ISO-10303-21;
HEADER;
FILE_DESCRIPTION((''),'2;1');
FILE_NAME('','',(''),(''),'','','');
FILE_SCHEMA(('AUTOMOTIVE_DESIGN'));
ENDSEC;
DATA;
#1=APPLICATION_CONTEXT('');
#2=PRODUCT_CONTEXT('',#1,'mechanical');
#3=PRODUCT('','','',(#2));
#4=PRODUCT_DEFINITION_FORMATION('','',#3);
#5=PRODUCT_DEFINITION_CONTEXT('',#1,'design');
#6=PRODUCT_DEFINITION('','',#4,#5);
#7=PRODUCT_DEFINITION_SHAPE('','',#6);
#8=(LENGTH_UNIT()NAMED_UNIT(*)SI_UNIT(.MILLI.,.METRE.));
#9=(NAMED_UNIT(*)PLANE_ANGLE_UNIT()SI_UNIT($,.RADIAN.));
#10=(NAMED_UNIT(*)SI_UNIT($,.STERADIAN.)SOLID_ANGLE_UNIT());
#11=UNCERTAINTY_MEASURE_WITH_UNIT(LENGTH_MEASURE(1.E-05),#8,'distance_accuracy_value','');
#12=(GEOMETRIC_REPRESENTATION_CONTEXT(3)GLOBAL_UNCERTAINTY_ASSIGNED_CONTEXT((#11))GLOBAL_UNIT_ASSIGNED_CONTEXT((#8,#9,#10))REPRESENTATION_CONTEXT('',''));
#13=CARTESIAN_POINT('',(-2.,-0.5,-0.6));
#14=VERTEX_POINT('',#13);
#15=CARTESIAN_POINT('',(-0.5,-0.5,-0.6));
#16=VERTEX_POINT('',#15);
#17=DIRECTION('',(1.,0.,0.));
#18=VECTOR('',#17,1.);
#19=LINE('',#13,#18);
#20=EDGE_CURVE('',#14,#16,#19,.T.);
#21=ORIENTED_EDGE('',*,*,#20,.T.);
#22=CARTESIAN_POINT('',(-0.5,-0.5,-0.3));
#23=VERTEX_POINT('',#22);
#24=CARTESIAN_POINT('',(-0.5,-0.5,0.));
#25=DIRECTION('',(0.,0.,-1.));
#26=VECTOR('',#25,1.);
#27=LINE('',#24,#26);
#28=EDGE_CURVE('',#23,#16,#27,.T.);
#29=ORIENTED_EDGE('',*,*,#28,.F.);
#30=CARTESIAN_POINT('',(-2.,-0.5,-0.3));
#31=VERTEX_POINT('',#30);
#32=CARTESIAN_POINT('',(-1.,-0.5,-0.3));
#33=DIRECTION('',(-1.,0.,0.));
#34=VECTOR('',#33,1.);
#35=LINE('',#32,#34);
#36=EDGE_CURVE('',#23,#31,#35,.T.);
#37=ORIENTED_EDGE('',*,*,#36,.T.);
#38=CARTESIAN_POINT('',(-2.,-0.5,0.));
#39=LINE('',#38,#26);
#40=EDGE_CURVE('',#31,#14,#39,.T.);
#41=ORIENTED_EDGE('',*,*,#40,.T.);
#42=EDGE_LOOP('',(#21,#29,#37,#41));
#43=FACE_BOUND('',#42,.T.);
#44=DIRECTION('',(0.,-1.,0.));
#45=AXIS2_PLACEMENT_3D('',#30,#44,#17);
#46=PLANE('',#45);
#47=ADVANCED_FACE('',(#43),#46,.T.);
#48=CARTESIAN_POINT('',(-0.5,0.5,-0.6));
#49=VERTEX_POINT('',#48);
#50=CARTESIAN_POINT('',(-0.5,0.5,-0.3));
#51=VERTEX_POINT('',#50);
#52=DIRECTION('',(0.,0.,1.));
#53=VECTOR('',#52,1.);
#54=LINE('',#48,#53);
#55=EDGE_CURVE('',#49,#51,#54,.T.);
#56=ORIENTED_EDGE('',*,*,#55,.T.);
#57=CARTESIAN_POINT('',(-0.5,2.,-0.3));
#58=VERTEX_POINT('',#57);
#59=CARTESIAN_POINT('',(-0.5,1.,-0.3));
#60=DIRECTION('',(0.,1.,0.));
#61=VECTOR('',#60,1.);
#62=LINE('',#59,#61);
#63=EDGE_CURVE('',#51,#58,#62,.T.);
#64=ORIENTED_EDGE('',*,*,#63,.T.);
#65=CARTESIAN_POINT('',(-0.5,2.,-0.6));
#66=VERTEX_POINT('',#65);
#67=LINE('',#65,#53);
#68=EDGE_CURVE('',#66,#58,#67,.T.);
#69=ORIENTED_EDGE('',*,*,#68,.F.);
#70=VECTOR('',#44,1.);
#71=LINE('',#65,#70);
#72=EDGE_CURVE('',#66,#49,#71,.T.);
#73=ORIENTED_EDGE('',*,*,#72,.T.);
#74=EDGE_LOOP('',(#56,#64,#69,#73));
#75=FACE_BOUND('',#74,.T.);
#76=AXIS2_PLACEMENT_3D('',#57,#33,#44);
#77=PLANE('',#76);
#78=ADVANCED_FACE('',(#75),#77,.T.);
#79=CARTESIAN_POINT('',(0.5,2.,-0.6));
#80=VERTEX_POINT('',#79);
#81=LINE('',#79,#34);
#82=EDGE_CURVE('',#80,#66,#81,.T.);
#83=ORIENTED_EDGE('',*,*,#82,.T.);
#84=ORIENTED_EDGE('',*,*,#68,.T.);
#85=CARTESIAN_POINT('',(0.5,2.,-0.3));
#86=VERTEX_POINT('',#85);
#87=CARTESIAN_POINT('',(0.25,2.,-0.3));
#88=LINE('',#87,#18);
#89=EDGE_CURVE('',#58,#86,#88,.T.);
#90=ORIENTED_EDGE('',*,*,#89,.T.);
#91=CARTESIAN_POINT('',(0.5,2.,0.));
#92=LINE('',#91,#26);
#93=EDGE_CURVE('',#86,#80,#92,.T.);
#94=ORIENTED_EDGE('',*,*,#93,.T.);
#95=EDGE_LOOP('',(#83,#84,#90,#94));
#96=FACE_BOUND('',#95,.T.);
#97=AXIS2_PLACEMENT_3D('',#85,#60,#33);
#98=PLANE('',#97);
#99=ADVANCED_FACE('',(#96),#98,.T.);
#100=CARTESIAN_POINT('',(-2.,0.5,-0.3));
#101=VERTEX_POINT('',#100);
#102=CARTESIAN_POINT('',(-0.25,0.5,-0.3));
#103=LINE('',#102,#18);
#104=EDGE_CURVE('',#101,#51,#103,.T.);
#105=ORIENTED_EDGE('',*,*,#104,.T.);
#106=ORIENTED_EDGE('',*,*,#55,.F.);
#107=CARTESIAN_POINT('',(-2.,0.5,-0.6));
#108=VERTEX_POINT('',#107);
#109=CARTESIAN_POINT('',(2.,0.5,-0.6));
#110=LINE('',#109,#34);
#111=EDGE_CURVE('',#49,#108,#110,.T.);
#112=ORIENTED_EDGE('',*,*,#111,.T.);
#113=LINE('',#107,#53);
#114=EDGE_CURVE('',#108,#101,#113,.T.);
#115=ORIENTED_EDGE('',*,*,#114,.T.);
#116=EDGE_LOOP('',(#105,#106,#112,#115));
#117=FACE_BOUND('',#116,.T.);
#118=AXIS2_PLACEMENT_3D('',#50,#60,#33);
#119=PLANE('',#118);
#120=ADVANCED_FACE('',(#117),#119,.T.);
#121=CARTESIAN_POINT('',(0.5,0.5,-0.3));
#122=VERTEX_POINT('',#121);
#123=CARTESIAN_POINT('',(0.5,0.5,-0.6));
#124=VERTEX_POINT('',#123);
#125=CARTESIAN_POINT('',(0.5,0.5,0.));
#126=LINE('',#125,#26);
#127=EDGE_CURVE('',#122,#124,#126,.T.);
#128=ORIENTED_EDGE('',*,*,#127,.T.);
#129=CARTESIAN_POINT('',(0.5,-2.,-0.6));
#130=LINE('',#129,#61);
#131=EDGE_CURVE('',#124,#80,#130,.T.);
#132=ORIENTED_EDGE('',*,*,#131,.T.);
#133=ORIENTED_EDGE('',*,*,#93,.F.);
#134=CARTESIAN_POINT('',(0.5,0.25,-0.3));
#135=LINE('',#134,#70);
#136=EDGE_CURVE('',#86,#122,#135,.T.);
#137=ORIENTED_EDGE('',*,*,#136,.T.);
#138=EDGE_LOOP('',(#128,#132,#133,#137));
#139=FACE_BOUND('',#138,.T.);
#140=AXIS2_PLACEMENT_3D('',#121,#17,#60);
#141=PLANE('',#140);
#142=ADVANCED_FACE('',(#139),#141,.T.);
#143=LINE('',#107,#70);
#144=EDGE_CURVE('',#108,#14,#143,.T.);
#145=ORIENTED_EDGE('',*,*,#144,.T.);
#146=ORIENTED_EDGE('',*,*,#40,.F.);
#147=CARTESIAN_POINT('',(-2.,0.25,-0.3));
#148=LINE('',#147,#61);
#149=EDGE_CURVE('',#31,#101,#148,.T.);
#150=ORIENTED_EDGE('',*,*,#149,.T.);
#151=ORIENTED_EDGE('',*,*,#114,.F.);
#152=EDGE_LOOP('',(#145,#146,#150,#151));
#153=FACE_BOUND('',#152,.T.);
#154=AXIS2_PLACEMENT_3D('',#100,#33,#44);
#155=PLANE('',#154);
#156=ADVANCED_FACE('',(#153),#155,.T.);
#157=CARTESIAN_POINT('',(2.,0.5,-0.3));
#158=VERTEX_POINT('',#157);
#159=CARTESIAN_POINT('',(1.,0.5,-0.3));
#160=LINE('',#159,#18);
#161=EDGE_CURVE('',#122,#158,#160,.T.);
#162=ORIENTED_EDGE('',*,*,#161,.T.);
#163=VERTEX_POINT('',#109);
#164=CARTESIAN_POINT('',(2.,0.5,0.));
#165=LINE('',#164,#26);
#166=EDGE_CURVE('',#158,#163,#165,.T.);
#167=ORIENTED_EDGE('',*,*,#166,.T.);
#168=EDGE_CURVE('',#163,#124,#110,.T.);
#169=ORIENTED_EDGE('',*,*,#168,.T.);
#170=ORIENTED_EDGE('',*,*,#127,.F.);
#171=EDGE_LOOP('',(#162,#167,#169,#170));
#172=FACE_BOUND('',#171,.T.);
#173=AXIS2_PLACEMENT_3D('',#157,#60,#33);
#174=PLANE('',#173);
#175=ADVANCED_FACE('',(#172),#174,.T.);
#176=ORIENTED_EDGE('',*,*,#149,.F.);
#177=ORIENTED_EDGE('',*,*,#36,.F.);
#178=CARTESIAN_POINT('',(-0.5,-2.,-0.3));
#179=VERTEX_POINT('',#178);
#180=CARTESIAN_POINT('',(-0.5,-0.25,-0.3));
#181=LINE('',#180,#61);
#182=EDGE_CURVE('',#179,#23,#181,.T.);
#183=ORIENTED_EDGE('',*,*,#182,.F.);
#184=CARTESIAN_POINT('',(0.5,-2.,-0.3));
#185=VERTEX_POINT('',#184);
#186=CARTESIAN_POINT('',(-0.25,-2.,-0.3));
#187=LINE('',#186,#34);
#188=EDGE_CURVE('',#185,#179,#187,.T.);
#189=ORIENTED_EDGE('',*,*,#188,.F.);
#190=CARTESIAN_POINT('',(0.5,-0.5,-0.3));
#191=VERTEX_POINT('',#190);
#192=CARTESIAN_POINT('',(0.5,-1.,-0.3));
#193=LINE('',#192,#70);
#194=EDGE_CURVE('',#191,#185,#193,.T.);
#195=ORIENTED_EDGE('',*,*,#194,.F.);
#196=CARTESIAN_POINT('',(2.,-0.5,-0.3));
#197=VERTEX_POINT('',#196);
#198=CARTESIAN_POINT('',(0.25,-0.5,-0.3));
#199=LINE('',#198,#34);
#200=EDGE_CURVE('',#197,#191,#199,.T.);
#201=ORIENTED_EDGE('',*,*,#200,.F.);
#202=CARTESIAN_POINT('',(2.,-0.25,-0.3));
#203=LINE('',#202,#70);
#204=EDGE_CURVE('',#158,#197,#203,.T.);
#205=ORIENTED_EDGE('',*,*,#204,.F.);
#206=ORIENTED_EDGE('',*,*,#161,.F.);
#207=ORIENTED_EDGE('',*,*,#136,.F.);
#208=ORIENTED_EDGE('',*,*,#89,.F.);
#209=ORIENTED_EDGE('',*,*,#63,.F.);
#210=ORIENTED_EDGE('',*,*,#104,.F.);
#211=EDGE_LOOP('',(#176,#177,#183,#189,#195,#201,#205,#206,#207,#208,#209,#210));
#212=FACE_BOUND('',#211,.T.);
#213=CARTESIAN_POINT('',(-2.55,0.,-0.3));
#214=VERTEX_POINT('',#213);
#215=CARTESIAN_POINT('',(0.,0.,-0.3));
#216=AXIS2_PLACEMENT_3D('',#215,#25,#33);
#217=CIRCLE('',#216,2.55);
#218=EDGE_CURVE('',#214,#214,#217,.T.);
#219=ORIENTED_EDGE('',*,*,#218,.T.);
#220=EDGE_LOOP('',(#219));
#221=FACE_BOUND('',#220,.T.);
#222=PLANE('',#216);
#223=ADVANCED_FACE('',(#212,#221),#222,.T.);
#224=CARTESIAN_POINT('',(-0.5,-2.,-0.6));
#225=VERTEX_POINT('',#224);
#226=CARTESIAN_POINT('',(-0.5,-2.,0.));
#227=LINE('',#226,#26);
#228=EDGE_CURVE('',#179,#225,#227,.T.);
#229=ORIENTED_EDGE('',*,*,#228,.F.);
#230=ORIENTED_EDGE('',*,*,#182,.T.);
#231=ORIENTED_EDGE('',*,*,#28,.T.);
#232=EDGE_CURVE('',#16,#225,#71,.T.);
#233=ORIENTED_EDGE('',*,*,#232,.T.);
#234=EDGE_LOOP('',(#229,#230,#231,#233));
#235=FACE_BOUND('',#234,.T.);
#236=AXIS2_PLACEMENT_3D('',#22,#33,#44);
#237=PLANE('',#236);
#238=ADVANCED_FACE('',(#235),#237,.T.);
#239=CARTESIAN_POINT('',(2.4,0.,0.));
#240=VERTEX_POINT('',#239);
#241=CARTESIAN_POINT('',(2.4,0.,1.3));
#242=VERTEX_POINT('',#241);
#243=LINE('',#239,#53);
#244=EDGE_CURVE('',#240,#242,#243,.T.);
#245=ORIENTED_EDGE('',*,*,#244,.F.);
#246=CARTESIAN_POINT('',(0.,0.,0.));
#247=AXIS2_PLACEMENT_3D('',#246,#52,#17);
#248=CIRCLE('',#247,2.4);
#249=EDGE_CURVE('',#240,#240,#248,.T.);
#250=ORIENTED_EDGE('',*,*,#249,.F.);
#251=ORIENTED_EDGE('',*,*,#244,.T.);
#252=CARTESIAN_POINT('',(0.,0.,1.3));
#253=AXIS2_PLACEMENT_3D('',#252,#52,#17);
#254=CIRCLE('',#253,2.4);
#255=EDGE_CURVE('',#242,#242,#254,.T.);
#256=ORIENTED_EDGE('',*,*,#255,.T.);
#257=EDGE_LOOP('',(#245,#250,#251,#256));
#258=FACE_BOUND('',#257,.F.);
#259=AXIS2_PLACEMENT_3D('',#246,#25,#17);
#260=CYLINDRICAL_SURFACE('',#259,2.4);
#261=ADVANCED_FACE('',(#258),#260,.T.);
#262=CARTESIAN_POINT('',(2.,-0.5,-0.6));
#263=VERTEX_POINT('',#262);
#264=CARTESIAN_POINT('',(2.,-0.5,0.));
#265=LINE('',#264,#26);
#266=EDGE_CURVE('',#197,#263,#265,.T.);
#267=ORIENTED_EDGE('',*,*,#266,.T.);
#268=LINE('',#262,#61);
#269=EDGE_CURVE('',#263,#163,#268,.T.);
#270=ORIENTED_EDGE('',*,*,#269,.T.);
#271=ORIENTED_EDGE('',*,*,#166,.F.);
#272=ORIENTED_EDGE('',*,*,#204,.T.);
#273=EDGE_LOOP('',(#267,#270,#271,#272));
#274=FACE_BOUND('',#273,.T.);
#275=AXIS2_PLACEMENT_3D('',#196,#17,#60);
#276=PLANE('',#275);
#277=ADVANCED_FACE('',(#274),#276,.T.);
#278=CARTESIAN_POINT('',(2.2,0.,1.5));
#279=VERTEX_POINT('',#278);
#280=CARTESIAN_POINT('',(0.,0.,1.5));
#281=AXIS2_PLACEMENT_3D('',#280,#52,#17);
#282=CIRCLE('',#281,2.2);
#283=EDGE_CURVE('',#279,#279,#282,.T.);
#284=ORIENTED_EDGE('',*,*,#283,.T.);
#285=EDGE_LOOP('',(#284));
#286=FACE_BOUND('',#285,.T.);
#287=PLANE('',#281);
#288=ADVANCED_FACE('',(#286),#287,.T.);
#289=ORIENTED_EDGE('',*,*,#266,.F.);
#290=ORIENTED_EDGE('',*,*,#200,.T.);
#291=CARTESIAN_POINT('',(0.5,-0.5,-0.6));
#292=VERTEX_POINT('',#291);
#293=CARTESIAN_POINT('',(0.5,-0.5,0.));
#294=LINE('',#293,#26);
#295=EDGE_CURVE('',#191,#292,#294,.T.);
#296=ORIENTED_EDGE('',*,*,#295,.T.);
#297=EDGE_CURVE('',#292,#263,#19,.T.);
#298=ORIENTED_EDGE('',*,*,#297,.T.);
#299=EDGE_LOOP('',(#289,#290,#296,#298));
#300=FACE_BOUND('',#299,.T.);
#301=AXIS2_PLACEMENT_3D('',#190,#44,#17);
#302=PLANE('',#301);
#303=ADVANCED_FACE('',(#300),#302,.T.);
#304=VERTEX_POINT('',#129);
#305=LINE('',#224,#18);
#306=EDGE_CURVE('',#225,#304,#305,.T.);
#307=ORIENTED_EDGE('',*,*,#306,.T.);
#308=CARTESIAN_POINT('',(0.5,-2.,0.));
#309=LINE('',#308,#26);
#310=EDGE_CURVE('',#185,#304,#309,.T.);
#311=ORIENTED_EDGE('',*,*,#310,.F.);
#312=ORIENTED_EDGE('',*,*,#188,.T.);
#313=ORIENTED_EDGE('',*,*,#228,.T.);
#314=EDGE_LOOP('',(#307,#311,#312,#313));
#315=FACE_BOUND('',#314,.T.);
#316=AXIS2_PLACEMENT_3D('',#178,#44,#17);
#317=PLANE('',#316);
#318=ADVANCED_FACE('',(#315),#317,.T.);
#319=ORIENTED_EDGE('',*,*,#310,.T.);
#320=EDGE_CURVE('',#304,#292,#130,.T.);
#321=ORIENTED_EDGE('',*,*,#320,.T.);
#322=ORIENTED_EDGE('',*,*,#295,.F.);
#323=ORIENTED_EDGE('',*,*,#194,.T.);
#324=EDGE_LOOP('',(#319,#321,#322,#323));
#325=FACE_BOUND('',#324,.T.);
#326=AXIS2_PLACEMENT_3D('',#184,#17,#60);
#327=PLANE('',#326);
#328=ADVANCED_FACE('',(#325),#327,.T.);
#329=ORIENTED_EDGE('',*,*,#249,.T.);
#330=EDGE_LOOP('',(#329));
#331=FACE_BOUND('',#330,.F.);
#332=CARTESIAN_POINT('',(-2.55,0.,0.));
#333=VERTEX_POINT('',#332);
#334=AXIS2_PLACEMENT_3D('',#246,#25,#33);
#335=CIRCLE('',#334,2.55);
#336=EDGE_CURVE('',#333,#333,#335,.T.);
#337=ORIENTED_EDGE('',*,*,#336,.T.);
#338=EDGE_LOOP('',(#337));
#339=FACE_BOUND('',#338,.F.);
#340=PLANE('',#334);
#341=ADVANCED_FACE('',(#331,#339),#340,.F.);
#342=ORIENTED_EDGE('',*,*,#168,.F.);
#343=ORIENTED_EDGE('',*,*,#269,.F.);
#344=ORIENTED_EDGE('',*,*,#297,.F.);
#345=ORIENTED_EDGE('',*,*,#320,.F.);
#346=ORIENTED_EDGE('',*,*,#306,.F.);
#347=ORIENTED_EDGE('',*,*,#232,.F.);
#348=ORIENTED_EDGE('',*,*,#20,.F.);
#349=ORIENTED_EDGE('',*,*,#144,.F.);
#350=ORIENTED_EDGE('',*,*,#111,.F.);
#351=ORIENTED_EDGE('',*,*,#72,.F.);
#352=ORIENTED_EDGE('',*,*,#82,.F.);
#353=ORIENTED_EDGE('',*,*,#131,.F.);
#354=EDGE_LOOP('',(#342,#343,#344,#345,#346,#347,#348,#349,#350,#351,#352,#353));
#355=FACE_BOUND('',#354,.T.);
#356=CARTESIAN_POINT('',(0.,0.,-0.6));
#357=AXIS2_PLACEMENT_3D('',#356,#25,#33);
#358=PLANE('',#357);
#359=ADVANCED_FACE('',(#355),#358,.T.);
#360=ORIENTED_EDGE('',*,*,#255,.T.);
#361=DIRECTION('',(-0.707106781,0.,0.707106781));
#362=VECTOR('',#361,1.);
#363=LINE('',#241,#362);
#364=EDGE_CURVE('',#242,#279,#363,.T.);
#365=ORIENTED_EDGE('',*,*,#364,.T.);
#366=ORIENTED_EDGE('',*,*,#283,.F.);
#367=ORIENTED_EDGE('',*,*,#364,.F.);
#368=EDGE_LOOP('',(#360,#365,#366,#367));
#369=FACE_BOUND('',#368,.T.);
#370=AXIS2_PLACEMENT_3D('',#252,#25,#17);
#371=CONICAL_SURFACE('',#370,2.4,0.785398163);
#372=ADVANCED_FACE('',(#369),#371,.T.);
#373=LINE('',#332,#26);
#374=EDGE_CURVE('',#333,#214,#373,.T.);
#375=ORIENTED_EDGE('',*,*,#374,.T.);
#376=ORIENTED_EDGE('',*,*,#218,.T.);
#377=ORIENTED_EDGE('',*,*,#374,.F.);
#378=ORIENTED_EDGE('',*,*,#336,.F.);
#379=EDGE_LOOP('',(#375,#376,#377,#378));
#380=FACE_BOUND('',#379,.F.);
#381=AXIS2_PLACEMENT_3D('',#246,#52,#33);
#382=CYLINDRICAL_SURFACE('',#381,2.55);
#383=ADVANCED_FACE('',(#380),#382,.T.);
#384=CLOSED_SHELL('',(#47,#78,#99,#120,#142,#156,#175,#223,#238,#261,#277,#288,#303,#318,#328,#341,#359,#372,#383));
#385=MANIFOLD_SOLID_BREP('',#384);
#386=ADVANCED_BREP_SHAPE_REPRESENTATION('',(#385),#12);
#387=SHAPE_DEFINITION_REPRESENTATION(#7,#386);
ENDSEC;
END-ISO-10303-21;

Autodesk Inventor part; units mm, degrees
ref_plane "YZ Plane" through (0, 0, 0) normal (1, 0, 0) x (0, 1, 0)
ref_plane "XZ Plane" through (0, 0, 0) normal (0, 1, 0) x (-1, 0, 0)
ref_plane "XY Plane" through (0, 0, 0) normal (0, 0, 1) x (1, 0, 0)
sketch "Esboço1" plane through (0, 0, 0) normal (0, 0, 1) x (1, 0, 0)
  circle A0 centre (0, 0) radius 2.4
  dimension "d0" = 4.8
extrude "Extrusão1" add sketch "Esboço1" along normal blind 1.5
sketch "Esboço2" plane through (0, 0, 0) normal (0, 0, -1) x (-1, 0, 0)
  circle A0 centre (0, 0) radius 2.55
  dimension "d3" = 5.1
extrude "Extrusão2" add sketch "Esboço2" along normal blind 0.3
sketch "Esboço4" plane through (0, 0, -0.3) normal (0, 0, -1) x (-1, 0, 0)
  line L0 (-0.5, 2) -> (0.5, 2)
  line L1 (0.5, 2) -> (0.5, -2)
  line L2 (0.5, -2) -> (-0.5, -2)
  line L3 (-0.5, -2) -> (-0.5, 2)
  line L4 (-2, 0.5) -> (2, 0.5)
  line L5 (2, 0.5) -> (2, -0.5)
  line L6 (2, -0.5) -> (-2, -0.5)
  line L7 (-2, -0.5) -> (-2, 0.5)
  point P0 (0, 0)
  point P1 (-2, 0)
  point P2 (0, 0.5)
  point P3 (0, 2)
  point P4 (0.5, 0)
  point P5 (-0.5, 0.5)
  point P6 (-0.5, -0.5)
  point P7 (0.5, -0.5)
  point P8 (0.5, 0.5)
  dimension "d6" = 1
  dimension "d7" = 4
  dimension "d8" = 4
  dimension "d9" = 1
extrude "Extrusão3" add sketch "Esboço4" along normal blind 0.3 and the other way blind 0.3
chamfer "Chanfro1" distance 0.2 angle 45 1 edges at (-2.4, 0, 1.5)
properties part number "botão final"
